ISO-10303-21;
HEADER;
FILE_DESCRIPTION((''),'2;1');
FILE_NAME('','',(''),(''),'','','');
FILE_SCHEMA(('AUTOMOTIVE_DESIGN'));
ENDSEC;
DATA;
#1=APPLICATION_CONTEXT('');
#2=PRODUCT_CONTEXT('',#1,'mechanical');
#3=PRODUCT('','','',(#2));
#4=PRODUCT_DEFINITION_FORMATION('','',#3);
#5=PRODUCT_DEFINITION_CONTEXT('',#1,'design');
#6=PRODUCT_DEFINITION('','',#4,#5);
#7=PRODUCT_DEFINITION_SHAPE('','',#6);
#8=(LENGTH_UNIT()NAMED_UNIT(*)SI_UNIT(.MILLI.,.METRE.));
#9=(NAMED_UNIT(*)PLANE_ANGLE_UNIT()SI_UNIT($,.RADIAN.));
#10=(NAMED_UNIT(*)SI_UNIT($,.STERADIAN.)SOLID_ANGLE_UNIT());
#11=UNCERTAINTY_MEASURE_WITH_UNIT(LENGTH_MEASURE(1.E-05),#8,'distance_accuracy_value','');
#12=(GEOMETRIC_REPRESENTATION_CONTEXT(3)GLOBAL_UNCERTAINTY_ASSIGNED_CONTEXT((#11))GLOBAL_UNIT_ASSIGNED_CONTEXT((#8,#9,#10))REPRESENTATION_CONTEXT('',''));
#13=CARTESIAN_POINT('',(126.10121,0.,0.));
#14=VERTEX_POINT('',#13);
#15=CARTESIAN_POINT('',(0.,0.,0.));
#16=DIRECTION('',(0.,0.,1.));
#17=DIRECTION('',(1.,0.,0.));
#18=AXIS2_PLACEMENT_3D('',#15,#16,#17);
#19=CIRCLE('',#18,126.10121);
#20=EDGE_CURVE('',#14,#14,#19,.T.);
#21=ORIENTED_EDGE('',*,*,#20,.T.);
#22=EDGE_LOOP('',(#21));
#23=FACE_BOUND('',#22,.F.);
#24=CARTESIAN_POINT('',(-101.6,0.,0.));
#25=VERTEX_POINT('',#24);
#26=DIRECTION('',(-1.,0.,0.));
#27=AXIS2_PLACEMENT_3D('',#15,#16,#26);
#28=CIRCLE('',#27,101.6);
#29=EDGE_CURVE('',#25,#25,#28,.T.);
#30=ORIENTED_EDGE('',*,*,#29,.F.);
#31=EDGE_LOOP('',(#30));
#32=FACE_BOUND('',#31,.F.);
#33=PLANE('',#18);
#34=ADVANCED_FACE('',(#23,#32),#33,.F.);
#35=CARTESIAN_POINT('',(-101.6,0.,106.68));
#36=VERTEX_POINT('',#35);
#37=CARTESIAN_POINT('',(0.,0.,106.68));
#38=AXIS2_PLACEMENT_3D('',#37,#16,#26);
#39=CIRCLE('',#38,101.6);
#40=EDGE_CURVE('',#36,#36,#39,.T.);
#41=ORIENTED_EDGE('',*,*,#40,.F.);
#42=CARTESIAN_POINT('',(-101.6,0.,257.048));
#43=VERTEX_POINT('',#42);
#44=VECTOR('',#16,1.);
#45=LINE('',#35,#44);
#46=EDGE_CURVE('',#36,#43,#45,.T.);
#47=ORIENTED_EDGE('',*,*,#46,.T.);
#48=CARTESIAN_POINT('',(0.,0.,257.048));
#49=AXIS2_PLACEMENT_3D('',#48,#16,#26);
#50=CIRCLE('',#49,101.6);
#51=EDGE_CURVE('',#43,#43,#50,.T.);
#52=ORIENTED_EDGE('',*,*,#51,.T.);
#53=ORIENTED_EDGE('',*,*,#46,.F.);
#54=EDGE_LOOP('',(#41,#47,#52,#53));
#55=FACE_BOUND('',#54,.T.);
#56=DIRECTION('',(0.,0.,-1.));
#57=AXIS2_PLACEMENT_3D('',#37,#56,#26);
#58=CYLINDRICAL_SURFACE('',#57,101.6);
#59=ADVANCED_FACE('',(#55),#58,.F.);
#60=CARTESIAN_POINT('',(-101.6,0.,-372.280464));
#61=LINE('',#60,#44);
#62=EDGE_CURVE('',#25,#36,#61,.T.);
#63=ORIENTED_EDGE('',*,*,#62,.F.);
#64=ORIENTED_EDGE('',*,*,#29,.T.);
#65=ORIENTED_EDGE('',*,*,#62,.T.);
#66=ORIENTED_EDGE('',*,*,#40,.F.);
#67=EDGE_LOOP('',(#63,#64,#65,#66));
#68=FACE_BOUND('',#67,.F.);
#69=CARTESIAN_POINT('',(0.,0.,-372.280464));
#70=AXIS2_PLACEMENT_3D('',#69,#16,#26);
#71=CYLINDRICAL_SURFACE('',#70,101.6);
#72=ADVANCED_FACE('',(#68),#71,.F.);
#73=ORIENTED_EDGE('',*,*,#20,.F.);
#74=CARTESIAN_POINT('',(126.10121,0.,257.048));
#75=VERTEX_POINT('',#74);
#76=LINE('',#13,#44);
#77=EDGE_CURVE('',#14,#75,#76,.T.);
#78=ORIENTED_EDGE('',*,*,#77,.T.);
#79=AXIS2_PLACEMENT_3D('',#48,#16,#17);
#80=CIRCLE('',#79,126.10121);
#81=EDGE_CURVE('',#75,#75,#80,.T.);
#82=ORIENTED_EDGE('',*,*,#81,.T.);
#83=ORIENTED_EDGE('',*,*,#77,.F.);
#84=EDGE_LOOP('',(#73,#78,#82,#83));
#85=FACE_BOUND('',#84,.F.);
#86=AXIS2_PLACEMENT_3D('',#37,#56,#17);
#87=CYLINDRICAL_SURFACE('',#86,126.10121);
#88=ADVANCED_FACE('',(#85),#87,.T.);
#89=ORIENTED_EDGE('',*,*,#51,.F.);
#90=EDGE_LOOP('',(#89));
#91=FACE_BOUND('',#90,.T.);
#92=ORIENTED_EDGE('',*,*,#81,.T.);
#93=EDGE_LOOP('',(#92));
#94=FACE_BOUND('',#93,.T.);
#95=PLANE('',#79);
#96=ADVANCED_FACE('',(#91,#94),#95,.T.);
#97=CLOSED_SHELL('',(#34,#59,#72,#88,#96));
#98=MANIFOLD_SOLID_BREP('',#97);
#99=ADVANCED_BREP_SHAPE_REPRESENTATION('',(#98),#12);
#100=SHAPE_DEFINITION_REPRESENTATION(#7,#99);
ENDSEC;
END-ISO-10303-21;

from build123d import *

# Parameters (mm, degrees)
F0_R     = 126.1012102306
F1_DEPTH = 106.68
F2_D     = 203.2
F3_DEPTH = 150.368


with BuildPart() as f1:
    # F0 (on Top) → F1 (new body)
    with BuildSketch(Plane.XY):
        Circle(F0_R)
    extrude(amount=F1_DEPTH)

    # F2 (through all)
    with Locations(Plane(origin=(0, 0, 0), x_dir=(1, 0, 0), z_dir=(0, 0, -1))):
        with Locations((0, 0)):
            Hole(F2_D / 2)

    # F3 (add): a face of the model
    f3_faces = [f1.faces().sort_by_distance(p)[0] for p in [
        (-122.5345293958, 0, 106.68),
    ]]
    extrude(f3_faces, amount=F3_DEPTH)


solid = f1.part
